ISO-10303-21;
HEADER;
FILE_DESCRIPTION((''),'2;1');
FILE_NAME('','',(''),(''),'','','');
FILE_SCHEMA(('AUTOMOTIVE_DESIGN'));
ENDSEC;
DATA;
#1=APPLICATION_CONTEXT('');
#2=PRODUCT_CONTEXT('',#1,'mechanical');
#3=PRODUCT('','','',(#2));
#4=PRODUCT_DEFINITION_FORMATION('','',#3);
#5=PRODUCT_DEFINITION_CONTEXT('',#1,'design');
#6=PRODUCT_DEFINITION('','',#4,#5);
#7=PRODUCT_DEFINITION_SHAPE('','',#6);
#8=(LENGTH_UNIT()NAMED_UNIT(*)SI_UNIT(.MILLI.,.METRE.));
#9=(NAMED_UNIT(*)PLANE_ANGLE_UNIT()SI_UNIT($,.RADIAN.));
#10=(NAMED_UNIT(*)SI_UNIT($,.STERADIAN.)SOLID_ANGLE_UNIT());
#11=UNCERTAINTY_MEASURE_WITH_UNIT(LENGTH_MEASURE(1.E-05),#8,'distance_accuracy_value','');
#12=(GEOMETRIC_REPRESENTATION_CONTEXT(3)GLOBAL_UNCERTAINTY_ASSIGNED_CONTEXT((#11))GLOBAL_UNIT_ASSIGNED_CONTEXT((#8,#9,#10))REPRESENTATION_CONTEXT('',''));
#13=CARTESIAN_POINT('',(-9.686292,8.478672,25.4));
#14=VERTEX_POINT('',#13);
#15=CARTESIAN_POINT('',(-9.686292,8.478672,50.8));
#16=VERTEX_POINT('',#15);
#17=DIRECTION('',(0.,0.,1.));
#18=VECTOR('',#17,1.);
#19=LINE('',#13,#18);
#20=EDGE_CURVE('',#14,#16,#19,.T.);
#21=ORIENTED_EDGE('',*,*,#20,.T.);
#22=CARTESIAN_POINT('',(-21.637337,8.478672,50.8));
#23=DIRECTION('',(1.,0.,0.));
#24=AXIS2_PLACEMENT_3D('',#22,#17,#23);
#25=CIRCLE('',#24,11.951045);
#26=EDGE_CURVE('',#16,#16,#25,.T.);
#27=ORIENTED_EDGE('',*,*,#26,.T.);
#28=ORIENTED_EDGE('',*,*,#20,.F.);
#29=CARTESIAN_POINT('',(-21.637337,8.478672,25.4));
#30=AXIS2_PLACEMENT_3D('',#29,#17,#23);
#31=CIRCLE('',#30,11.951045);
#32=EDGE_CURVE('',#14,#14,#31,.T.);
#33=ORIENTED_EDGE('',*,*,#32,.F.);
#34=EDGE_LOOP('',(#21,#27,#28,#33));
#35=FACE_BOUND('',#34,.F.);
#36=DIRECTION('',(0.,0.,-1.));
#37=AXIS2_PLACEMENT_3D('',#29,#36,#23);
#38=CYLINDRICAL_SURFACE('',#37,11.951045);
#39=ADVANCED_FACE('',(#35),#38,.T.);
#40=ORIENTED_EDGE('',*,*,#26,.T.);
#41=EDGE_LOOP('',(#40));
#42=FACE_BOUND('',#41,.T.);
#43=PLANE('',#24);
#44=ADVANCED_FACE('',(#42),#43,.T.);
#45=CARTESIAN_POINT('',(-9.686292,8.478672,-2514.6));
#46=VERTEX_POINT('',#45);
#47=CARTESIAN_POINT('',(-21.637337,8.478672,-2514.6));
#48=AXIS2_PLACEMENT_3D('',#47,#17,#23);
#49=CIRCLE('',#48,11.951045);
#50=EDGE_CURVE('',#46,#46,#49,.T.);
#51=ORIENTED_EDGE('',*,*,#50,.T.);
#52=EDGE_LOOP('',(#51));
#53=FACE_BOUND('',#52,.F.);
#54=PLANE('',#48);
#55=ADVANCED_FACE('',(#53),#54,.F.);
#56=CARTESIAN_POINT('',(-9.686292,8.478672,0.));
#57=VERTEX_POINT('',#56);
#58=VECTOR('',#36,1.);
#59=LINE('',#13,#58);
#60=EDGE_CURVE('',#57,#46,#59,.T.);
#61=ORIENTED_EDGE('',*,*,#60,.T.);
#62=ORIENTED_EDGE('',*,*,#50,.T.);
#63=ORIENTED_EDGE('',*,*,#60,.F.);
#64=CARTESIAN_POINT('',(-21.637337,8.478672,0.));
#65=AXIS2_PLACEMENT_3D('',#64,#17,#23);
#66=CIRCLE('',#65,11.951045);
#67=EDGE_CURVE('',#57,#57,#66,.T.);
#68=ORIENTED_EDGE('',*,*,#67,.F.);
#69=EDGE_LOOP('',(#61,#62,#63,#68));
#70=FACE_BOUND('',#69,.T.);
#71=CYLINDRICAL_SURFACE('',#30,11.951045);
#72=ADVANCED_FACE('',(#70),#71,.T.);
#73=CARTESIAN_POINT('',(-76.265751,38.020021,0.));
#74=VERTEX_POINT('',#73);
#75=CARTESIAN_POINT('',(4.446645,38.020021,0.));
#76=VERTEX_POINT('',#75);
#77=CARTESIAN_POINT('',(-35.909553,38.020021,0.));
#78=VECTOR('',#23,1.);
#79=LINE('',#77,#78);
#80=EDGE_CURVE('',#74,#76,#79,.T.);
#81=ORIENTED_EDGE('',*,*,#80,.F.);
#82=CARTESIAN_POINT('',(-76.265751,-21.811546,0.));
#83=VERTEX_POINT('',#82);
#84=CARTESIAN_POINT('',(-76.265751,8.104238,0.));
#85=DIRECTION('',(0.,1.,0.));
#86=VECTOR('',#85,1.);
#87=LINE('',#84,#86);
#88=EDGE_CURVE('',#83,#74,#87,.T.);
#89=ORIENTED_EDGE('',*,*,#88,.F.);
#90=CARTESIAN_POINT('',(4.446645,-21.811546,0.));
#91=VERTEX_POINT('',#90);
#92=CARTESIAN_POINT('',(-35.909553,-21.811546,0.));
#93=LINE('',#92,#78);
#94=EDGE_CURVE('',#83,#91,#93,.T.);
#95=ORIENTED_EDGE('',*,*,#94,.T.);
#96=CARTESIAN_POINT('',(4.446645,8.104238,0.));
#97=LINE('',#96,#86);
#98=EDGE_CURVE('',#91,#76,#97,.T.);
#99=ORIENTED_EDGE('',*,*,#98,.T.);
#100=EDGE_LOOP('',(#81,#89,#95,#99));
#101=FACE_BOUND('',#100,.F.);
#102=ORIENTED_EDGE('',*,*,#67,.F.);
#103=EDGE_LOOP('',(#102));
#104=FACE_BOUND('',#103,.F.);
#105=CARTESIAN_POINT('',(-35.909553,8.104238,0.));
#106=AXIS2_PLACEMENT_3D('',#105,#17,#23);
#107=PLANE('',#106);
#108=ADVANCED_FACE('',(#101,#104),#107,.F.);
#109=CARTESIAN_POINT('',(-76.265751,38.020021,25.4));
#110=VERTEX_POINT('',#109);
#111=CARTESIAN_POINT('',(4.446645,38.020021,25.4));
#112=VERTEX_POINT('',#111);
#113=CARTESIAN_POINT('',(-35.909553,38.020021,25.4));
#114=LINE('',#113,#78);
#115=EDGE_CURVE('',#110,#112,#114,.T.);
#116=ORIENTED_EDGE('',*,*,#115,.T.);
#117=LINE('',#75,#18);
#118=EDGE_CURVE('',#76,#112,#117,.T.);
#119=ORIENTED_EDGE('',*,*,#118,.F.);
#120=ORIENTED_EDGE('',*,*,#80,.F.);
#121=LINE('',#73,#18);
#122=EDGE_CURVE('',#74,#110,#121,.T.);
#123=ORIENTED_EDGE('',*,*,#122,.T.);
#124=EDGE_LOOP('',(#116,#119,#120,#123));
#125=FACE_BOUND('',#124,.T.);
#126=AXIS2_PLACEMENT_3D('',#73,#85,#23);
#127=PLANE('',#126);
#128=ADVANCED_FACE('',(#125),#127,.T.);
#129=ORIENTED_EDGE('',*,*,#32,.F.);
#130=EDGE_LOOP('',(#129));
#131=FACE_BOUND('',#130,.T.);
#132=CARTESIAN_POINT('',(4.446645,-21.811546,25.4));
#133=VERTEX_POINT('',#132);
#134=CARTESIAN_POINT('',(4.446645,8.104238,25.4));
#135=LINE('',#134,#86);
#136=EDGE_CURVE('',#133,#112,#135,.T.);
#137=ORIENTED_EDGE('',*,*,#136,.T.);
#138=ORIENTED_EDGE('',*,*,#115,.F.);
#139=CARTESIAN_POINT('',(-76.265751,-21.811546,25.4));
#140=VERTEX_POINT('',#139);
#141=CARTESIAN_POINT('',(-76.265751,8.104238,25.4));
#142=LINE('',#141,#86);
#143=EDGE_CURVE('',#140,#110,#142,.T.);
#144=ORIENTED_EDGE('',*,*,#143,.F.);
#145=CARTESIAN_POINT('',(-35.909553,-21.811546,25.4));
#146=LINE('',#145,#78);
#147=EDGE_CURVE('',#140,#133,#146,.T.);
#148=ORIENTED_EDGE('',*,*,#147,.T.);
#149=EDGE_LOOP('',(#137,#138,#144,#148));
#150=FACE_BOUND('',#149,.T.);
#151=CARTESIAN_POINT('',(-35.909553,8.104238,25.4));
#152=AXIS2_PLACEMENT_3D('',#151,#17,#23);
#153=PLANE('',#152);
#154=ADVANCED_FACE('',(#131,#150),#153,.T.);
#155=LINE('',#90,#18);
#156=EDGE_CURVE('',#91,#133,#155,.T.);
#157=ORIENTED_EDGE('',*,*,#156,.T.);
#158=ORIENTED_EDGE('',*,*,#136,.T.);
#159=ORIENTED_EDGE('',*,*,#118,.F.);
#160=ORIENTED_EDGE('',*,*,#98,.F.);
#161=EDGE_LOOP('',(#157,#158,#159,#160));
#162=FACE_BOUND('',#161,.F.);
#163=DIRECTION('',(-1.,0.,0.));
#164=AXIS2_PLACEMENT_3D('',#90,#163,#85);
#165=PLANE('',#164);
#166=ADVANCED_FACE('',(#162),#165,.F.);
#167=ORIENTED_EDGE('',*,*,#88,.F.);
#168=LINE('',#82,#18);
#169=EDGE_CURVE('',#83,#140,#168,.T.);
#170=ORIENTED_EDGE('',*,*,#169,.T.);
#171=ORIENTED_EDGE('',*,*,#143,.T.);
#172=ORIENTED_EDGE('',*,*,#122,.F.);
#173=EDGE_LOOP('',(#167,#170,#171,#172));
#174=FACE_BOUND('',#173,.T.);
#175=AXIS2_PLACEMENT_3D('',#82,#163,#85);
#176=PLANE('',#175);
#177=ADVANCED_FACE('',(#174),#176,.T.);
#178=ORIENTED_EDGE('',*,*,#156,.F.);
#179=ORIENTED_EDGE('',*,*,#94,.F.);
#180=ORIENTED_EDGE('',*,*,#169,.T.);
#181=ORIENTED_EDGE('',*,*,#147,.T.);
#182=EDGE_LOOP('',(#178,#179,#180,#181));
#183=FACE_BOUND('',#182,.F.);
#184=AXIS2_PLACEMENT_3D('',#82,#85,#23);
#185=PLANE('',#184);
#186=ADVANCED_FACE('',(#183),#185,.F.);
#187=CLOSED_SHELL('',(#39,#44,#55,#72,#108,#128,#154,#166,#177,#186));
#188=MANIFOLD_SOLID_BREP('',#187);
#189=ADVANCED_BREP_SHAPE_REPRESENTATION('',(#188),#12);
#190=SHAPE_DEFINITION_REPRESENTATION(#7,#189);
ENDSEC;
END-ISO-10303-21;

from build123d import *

# Parameters (mm, degrees)
F0_W          = 80.712397
F0_H          = 59.831567
F1_DEPTH      = 25.4
F2_R          = 11.951045
F3_DEPTH      = 25.4
F3_DEPTH_BACK = 2540


with BuildPart() as f1:
    # F0 (on Top) → F1 (new body)
    with BuildSketch(Plane.XY):
        with Locations((-35.909553, 8.104238)):
            Rectangle(F0_W, F0_H)
    extrude(amount=F1_DEPTH)

    # F2 (on face) → F3 (join, two sides)
    with BuildSketch(Plane.XY.offset(25.4)) as f3_sk:
        with Locations((-21.637337, 8.478672)):
            Circle(F2_R)
    extrude(amount=F3_DEPTH)
    extrude(f3_sk.sketch, amount=-F3_DEPTH_BACK)


solid = f1.part
